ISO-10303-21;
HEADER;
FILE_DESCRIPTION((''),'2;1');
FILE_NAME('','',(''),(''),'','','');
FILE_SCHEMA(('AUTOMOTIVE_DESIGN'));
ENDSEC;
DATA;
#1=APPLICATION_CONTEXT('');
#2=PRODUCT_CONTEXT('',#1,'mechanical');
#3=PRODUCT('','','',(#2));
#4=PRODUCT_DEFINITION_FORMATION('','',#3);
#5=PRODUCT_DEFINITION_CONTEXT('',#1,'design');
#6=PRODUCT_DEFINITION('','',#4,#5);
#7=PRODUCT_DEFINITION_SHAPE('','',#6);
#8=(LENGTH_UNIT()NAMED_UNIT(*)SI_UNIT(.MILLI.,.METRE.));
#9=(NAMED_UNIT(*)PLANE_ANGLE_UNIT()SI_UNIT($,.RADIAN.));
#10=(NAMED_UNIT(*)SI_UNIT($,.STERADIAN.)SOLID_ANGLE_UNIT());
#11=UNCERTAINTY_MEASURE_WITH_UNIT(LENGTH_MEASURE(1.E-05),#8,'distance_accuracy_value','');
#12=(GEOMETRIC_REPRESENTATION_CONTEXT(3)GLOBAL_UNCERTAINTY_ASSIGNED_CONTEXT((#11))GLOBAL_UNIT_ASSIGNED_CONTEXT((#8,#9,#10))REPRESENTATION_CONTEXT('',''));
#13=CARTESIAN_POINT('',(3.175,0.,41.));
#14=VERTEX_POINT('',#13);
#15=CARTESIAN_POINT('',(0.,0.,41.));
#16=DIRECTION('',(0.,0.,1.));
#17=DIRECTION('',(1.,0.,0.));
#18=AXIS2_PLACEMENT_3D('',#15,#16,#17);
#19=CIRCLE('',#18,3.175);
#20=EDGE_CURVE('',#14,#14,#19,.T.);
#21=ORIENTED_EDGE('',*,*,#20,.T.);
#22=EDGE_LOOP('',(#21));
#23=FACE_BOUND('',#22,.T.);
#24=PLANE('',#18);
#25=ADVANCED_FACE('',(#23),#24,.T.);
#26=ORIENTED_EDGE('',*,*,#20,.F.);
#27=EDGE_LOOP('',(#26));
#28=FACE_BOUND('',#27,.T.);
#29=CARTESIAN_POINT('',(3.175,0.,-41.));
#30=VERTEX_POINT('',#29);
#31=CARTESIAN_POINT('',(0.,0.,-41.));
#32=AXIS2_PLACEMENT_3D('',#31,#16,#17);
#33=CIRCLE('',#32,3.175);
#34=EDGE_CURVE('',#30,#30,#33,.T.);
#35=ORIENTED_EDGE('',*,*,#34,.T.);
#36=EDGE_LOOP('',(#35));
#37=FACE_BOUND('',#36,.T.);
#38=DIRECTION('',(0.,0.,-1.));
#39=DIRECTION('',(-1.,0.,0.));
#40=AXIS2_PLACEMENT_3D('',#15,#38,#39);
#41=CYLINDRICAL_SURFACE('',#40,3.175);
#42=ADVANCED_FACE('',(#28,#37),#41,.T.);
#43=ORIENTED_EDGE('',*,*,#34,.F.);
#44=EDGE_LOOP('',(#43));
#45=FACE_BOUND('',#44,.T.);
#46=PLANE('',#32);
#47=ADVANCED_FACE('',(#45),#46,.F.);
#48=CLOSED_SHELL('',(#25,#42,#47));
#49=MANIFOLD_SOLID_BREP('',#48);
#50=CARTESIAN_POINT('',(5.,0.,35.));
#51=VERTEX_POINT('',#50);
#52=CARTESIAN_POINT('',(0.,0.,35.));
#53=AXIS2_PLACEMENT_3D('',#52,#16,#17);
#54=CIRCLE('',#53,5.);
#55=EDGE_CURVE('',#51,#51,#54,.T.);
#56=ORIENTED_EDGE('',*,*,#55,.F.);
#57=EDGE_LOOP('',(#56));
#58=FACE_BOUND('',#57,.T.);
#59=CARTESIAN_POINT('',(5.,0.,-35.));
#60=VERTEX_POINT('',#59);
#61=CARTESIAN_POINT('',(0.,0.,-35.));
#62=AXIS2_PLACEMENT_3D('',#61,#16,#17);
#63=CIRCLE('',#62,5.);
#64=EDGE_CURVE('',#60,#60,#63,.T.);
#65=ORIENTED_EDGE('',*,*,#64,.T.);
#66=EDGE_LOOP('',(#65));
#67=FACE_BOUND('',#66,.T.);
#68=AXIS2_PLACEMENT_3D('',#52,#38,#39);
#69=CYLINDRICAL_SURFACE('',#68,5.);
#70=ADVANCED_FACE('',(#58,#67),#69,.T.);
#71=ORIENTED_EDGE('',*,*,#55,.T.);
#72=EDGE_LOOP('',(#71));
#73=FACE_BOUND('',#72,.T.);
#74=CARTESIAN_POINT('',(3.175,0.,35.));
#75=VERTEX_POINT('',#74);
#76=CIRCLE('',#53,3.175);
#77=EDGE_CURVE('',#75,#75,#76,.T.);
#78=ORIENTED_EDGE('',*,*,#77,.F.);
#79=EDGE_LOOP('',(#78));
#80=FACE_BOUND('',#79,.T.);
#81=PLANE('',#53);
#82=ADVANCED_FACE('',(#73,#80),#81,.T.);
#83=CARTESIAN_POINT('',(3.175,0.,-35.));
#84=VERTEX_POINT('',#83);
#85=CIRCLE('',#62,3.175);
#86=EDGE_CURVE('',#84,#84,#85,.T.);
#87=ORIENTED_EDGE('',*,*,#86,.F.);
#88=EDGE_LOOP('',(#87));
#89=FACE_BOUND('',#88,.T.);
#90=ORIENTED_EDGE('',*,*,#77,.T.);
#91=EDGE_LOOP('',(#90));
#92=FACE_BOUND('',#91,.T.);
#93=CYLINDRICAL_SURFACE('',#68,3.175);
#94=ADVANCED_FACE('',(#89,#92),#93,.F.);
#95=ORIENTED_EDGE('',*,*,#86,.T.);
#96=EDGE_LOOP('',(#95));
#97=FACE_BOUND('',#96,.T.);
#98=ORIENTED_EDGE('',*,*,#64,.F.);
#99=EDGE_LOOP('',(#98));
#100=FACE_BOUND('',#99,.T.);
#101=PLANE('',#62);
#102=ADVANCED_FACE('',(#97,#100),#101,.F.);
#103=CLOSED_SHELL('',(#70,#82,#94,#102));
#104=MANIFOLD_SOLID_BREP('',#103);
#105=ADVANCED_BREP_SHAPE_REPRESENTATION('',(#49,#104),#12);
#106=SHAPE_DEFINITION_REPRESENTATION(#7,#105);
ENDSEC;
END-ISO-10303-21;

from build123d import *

# Parameters (mm, degrees)
SKETCH1_R           = 3.175
BOSS_EXTRUDE1_DEPTH = 41
SKETCH2_R           = 5
SKETCH2_R_2         = 3.175
BOSS_EXTRUDE2_DEPTH = 35


with BuildPart() as part:
    # Sketch1 → Boss-Extrude1 (new, symmetric)
    with BuildSketch(Plane.XY):
        Circle(SKETCH1_R)
    extrude(amount=BOSS_EXTRUDE1_DEPTH, both=True)


with BuildPart() as body_2:
    # Sketch2 → Boss-Extrude2 (new, symmetric)
    with BuildSketch(Plane.XY):
        Circle(SKETCH2_R)
        Circle(SKETCH2_R_2, mode=Mode.SUBTRACT)
    extrude(amount=BOSS_EXTRUDE2_DEPTH, both=True)


solid = Compound([part.part, body_2.part])
